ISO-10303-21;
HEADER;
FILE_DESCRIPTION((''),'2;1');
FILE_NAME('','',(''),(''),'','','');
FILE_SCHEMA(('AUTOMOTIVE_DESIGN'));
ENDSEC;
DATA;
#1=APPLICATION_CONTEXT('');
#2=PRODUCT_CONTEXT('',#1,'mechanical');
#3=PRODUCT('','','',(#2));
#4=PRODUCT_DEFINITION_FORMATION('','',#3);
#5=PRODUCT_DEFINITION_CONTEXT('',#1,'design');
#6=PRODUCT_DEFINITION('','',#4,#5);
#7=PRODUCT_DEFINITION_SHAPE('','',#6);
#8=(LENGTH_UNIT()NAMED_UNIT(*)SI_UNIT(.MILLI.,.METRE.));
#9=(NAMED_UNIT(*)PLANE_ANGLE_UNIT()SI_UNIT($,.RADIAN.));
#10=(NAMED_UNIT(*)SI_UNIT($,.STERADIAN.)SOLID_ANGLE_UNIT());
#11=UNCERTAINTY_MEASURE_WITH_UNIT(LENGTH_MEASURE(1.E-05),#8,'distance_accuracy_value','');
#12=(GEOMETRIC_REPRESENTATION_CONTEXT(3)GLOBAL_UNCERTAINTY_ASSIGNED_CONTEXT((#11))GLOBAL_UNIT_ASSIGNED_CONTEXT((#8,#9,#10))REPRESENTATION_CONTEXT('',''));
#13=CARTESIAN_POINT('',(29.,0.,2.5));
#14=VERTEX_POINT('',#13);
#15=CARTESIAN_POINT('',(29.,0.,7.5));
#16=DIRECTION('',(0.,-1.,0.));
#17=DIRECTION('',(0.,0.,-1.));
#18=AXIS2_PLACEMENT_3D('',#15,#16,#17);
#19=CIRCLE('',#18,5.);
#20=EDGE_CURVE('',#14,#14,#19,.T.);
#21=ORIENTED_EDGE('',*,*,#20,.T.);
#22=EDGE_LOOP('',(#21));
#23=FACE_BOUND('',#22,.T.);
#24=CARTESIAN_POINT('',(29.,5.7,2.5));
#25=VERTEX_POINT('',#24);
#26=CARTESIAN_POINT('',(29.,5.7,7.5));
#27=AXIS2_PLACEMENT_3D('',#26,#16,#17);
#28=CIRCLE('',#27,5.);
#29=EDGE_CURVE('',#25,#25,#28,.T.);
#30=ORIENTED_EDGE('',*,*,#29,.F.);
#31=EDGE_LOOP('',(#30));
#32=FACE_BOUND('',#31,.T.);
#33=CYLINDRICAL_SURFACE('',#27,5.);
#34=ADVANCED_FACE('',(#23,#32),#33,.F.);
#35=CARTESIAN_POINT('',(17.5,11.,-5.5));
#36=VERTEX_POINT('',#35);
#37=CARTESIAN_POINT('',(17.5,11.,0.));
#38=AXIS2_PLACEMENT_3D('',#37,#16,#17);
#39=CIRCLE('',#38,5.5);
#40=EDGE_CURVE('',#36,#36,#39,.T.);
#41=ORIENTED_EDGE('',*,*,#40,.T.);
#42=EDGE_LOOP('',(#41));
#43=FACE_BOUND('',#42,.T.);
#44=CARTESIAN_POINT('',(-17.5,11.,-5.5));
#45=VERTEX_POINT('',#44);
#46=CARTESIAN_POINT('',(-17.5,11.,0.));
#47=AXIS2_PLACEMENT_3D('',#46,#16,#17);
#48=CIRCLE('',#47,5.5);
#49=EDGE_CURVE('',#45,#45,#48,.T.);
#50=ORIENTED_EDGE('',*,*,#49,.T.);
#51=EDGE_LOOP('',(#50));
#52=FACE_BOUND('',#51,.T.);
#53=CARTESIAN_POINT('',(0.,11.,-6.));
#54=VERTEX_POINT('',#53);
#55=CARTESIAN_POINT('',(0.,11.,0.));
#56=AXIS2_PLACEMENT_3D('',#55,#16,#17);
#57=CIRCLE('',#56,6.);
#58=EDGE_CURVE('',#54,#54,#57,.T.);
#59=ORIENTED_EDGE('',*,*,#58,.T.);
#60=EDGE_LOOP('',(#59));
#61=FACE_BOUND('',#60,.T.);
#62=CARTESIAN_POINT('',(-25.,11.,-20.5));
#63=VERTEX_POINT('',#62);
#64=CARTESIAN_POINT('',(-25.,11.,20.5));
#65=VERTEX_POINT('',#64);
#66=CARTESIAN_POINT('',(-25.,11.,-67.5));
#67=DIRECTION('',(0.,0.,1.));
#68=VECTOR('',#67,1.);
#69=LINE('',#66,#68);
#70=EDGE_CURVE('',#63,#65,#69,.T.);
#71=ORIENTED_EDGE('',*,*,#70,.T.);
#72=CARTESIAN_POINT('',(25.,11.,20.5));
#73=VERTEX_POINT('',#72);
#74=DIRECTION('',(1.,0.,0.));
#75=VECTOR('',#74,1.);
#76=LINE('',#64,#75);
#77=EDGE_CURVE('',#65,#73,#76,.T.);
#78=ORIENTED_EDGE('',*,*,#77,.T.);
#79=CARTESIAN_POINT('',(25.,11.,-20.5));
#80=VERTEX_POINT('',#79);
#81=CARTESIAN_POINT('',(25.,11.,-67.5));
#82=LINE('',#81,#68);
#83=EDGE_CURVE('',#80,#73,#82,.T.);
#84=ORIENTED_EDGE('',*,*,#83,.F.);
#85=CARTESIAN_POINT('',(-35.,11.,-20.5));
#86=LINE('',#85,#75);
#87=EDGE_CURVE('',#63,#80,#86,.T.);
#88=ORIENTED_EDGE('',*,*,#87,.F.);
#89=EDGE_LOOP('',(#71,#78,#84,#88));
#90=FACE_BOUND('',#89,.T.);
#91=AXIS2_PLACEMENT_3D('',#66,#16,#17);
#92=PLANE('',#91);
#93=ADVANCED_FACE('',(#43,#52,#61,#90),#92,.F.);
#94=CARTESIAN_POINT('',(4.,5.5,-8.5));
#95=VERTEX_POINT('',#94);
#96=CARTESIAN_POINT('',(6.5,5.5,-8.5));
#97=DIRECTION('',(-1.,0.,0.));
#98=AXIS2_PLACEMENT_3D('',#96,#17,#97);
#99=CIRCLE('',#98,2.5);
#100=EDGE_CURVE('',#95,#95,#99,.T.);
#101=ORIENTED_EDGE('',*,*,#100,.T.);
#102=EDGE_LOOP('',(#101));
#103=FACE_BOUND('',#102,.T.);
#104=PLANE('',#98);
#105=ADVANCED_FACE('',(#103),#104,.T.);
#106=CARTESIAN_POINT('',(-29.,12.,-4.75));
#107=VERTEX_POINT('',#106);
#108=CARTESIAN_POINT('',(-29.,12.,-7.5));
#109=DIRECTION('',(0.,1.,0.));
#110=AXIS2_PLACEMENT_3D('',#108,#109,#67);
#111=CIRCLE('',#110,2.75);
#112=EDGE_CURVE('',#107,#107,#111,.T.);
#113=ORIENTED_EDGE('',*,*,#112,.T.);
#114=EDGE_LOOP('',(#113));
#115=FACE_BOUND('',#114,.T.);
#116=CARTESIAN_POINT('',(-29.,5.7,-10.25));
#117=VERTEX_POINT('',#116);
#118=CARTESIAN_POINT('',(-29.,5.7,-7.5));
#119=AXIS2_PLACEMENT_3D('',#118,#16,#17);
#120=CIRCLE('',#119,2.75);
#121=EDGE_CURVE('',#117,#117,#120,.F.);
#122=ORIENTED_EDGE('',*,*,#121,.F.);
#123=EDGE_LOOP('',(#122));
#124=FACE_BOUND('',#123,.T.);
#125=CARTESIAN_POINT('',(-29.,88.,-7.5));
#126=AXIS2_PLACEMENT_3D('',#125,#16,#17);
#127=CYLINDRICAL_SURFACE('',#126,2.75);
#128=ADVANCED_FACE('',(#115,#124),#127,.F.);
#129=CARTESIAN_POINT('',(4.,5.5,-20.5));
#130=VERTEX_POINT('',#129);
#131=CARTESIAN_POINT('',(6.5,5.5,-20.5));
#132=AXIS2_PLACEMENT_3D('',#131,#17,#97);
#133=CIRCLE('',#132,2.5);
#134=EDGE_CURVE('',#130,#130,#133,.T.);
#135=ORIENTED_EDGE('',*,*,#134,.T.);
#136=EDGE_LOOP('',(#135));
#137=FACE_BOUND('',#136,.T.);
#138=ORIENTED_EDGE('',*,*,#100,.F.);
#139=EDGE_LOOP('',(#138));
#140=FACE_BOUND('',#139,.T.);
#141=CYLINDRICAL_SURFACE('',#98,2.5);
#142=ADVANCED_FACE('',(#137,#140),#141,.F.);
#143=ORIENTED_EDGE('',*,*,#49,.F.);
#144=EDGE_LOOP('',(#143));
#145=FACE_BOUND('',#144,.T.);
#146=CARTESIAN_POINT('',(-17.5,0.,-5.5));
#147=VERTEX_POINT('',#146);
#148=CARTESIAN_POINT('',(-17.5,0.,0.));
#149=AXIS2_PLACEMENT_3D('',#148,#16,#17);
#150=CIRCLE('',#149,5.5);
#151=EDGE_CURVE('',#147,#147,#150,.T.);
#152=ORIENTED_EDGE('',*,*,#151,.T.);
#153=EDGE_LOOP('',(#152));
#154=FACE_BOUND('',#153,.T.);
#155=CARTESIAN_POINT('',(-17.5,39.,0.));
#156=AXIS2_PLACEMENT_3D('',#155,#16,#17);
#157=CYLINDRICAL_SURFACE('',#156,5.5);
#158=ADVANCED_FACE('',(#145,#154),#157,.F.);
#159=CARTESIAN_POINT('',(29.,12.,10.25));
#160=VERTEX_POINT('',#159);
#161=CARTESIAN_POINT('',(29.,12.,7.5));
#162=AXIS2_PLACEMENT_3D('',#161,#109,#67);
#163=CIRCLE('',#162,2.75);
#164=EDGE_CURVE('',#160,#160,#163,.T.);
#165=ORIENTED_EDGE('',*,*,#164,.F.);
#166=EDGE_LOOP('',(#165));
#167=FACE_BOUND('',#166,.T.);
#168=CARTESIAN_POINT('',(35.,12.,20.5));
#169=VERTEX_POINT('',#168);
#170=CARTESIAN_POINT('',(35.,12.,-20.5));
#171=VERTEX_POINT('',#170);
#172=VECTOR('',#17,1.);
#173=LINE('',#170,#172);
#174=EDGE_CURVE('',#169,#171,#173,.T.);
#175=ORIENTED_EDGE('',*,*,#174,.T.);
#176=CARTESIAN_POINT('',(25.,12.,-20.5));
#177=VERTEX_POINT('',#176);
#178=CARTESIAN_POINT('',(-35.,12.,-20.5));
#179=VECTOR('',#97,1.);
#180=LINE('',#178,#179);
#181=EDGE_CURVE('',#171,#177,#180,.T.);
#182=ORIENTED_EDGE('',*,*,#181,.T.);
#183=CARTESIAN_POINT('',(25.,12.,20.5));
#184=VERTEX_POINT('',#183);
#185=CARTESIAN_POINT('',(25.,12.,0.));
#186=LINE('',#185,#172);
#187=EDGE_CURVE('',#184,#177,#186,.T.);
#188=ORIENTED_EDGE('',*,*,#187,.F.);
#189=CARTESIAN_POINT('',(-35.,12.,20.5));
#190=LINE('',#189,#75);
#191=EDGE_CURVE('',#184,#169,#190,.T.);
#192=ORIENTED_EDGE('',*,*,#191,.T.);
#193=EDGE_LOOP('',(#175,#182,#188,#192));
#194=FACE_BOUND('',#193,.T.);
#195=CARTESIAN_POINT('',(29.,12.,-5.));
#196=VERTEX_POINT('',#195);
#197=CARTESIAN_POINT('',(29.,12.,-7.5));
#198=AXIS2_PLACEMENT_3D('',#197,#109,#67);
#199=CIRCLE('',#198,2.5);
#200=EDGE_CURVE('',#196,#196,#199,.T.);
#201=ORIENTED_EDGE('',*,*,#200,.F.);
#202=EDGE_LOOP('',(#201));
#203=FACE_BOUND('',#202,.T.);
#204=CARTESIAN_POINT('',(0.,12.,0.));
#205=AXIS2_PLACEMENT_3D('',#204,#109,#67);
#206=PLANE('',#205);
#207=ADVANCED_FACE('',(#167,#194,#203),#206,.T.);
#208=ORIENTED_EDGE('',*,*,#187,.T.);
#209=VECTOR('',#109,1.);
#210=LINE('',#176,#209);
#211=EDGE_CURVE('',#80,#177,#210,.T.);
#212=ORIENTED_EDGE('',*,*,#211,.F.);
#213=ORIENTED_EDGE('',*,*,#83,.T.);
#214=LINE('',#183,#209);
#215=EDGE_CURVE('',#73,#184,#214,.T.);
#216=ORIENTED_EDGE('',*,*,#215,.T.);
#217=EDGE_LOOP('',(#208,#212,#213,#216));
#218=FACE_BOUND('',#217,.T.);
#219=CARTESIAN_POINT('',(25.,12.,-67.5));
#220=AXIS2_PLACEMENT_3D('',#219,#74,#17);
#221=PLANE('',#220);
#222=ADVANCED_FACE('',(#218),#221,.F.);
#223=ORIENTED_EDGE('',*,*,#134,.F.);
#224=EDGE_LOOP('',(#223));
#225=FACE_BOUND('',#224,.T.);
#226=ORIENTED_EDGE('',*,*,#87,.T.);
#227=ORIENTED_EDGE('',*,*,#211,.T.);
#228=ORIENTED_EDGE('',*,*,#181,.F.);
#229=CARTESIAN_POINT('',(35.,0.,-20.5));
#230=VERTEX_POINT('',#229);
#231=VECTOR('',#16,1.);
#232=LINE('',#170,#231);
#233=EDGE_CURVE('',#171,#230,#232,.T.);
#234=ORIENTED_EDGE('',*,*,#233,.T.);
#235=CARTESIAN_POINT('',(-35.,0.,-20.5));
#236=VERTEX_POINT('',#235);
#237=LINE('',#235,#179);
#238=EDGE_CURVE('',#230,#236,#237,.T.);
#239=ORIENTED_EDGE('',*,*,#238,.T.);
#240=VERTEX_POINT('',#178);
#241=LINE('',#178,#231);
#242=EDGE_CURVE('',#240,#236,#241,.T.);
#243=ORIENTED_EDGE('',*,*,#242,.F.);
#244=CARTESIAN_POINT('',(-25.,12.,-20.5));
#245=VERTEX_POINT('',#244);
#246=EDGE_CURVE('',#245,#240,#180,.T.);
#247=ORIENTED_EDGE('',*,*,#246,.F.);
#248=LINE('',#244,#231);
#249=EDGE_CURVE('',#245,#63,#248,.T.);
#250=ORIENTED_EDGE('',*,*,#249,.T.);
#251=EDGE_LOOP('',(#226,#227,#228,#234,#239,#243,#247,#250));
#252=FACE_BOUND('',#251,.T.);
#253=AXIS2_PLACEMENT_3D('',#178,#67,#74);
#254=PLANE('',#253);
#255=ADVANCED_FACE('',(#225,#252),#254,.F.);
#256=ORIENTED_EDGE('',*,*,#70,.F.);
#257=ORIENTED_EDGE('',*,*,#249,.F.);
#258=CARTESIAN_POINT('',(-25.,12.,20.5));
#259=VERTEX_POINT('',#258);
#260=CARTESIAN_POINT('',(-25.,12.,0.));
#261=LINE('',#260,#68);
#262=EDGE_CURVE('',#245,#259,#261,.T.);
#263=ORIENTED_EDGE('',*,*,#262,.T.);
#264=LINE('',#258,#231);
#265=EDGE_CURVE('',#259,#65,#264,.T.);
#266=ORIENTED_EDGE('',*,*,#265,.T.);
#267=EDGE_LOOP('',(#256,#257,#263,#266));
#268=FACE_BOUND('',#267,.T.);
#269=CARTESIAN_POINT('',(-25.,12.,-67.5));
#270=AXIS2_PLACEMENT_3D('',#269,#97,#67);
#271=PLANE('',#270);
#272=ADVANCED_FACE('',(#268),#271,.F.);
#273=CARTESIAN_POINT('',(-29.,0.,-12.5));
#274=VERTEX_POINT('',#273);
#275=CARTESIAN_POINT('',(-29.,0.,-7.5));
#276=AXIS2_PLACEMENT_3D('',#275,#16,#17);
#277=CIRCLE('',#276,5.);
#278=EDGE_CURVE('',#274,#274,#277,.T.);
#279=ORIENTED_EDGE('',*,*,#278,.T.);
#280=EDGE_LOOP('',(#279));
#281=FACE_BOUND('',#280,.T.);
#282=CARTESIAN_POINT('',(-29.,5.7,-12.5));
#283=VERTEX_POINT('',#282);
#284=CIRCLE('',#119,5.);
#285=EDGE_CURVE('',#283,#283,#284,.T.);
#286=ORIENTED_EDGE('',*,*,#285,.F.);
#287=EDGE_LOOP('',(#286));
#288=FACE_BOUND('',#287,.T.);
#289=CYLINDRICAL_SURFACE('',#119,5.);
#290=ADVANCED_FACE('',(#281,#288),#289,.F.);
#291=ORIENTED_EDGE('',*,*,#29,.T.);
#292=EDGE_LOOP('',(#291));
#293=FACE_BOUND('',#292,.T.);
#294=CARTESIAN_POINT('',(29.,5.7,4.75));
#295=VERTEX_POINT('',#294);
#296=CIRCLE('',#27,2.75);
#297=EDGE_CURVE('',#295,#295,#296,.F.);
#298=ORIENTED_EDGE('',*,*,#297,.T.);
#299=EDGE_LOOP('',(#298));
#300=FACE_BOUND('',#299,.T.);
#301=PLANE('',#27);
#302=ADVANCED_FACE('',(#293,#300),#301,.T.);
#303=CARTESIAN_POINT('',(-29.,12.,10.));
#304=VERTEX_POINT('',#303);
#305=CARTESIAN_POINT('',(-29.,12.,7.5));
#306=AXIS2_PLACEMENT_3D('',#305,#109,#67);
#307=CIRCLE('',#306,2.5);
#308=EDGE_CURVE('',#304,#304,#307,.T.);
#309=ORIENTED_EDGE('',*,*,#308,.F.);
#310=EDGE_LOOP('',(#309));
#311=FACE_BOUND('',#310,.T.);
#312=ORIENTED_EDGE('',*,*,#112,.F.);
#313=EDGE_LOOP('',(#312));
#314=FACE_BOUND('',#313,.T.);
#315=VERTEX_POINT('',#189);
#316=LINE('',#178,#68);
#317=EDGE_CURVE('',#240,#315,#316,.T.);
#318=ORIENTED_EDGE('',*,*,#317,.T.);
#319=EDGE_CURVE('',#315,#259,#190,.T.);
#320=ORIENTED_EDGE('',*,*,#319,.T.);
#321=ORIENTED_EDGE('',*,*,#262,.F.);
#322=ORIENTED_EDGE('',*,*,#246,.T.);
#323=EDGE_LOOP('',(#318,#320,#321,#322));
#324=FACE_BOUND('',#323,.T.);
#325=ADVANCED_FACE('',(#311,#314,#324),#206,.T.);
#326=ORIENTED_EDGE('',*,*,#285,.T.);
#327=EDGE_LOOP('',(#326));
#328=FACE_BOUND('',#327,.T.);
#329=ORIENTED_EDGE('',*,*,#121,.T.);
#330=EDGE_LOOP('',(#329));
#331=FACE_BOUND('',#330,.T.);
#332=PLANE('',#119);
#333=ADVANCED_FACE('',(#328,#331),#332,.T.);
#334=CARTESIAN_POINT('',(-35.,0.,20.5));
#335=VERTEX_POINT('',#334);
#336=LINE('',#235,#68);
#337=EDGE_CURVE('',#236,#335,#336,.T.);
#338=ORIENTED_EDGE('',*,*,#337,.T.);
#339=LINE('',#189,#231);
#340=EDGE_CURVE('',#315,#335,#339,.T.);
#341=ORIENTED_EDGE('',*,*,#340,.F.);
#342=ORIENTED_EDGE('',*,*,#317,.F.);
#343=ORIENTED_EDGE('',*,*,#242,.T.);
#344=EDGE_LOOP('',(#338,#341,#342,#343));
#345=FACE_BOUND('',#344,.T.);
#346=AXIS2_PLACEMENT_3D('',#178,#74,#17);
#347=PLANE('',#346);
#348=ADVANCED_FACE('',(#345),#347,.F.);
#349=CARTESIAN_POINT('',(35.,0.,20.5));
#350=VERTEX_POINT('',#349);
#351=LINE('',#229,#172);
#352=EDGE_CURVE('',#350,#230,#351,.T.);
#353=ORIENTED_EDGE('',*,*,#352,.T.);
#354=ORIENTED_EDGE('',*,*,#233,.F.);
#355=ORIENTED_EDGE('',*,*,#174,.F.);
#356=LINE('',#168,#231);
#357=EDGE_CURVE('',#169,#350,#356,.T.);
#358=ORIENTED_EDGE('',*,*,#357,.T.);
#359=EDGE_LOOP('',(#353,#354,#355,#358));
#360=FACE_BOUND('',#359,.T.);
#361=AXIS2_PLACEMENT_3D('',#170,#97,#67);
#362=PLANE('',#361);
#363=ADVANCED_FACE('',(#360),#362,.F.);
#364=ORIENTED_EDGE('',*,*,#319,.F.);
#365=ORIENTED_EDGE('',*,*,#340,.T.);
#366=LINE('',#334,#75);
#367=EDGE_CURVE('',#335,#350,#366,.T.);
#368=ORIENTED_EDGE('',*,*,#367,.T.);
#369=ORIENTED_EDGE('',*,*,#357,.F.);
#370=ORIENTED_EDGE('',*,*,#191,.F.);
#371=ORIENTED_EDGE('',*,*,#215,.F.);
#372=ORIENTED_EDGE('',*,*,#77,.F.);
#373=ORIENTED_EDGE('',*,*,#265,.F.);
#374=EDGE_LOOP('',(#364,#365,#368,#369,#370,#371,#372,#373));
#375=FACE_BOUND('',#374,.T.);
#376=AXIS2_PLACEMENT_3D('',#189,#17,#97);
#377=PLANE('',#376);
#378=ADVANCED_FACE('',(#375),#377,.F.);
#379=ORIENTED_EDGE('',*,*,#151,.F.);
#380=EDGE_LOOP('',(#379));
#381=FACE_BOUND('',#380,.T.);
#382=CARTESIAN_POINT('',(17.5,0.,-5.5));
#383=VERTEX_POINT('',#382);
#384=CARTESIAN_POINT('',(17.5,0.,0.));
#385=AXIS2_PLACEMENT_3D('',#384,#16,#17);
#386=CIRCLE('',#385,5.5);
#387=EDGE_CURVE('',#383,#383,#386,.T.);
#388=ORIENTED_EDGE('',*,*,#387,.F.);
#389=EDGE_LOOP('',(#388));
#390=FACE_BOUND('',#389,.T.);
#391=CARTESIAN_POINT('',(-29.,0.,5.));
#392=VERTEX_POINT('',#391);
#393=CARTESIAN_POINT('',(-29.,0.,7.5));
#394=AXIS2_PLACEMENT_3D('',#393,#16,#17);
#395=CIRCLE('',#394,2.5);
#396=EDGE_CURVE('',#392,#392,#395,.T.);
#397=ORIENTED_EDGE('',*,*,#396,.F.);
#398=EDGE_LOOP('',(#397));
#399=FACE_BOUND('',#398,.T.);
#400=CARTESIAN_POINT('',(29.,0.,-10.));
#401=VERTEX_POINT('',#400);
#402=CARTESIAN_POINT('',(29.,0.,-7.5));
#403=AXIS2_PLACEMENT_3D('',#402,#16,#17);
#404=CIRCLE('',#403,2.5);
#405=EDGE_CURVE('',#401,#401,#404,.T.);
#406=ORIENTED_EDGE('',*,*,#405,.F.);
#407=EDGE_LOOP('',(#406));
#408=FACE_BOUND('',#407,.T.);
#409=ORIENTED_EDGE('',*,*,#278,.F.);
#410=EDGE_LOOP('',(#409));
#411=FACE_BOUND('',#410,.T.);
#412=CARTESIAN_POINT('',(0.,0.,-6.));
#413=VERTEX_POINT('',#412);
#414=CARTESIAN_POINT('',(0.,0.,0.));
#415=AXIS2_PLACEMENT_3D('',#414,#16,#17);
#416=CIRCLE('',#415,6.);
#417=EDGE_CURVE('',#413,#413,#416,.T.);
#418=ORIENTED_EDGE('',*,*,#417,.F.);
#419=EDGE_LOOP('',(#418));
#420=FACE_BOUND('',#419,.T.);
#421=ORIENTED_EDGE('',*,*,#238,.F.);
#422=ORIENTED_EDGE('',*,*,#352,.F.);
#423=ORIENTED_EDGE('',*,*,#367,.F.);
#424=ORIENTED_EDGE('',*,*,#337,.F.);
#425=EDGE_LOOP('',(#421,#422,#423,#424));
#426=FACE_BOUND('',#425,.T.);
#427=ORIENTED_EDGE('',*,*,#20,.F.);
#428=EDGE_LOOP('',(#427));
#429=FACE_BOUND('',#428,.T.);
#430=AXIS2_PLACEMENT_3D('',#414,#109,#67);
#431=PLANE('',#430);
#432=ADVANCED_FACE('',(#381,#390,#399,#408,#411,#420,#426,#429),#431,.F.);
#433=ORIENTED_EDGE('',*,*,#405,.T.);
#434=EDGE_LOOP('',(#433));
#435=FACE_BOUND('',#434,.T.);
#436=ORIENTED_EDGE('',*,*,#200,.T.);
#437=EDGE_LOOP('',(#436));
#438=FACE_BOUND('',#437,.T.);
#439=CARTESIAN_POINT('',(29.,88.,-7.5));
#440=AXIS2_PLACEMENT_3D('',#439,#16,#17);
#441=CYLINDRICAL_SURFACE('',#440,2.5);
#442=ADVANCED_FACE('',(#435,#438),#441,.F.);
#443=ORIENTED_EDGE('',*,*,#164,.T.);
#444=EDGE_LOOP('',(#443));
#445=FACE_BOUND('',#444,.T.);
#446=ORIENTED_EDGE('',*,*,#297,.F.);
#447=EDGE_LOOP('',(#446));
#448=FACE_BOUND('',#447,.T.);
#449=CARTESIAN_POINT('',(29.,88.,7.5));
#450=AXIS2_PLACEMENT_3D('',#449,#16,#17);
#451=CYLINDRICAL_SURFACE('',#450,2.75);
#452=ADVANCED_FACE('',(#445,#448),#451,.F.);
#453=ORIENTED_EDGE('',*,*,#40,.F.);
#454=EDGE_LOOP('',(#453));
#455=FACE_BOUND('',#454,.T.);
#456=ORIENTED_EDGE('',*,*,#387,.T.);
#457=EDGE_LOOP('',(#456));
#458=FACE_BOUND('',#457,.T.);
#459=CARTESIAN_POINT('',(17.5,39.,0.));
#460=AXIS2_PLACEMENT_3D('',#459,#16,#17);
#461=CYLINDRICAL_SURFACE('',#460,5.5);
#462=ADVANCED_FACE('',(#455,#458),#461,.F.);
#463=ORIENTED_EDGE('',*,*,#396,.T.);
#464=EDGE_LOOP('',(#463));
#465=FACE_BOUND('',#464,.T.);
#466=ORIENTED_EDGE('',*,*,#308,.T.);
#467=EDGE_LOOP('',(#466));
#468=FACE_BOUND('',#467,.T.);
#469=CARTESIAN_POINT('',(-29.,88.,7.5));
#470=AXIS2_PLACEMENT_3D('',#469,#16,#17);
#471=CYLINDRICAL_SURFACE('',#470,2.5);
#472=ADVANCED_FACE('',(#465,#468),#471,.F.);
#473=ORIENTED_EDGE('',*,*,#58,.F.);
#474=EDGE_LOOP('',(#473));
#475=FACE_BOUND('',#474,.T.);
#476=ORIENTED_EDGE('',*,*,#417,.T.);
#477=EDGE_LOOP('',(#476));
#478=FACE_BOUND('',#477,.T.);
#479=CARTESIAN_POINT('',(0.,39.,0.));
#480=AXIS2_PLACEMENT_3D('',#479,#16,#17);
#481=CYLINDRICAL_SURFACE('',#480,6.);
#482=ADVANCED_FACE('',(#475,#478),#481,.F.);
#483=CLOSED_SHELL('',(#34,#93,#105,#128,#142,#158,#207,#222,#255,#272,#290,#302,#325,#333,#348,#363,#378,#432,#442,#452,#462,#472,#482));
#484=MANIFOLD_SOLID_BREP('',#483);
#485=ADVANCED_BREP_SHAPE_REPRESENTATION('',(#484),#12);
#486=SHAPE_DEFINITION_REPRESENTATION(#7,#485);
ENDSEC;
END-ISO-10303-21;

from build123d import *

# Parameters (mm, degrees)
SKETCH1_W           = 70
SKETCH1_H           = 41
BOSS_EXTRUDE1_DEPTH = 12
SKETCH2_W           = 50
SKETCH2_H           = 1
CUT_EXTRUDE1_DEPTH  = 88
SKETCH3_R           = 2.5
SKETCH3_R_2         = 2.75
CUT_EXTRUDE2_DEPTH  = 88
SKETCH4_R           = 5
CUT_EXTRUDE3_DEPTH  = 5.7
SKETCH5_R           = 2.5
CUT_EXTRUDE4_DEPTH  = 12
SKETCH6_R           = 6
SKETCH6_R_2         = 5.5
CUT_EXTRUDE5_DEPTH  = 39
SKETCH8_R           = 2.5
BOSS_EXTRUDE2_DEPTH = 41
SKETCH9_R           = 2.5
CUT_EXTRUDE6_DEPTH  = 12
SKETCH10_R          = 6
CUT_EXTRUDE7_DEPTH  = 30


with BuildPart() as part:
    # Sketch1 → Boss-Extrude1 (new body)
    with BuildSketch(Plane(origin=(0, 0, 0), x_dir=(1, 0, 0), z_dir=(0, 1, 0))):
        Rectangle(SKETCH1_W, SKETCH1_H)
    extrude(amount=BOSS_EXTRUDE1_DEPTH)

    # Sketch2 → Cut-Extrude1 (cut)
    with BuildSketch(Plane.XY.offset(20.5)):
        with Locations((0, 11.5)):
            Rectangle(SKETCH2_W, SKETCH2_H)
    extrude(amount=-CUT_EXTRUDE1_DEPTH, mode=Mode.SUBTRACT)

    # Sketch3 → Cut-Extrude2 (cut)
    with BuildSketch(Plane.XZ):
        with Locations((29, -7.5)):
            Circle(SKETCH3_R)
        with Locations((-29, 7.5)):
            Circle(SKETCH3_R)
        with Locations((29, 7.5)):
            Circle(SKETCH3_R_2)
        with Locations((-29, -7.5)):
            Circle(SKETCH3_R_2)
    extrude(amount=-CUT_EXTRUDE2_DEPTH, mode=Mode.SUBTRACT)

    # Sketch4 → Cut-Extrude3 (cut)
    with BuildSketch(Plane.XZ):
        with Locations((-29, -7.5)):
            Circle(SKETCH4_R)
        with Locations((29, 7.5)):
            Circle(SKETCH4_R)
    extrude(amount=-CUT_EXTRUDE3_DEPTH, mode=Mode.SUBTRACT)

    # Sketch5 → Cut-Extrude4 (cut)
    with BuildSketch(Plane(origin=(0, 0, -20.5), x_dir=(-1, 0, 0), z_dir=(0, 0, -1))):
        with Locations((-6.5, 6)):
            Circle(SKETCH5_R)
    extrude(amount=-CUT_EXTRUDE4_DEPTH, mode=Mode.SUBTRACT)

    # Sketch6 → Cut-Extrude5 (cut)
    with BuildSketch(Plane.XZ):
        Circle(SKETCH6_R)
        with Locations((-17.5, 0)):
            Circle(SKETCH6_R_2)
        with Locations((17.5, 0)):
            Circle(SKETCH6_R_2)
    extrude(amount=-CUT_EXTRUDE5_DEPTH, mode=Mode.SUBTRACT)

    # Sketch8 → Boss-Extrude2 (add)
    with BuildSketch(Plane(origin=(0, 0, -20.5), x_dir=(-1, 0, 0), z_dir=(0, 0, -1))):
        with Locations((-6.5, 6)):
            Circle(SKETCH8_R)
    extrude(amount=-BOSS_EXTRUDE2_DEPTH)

    # Sketch9 → Cut-Extrude6 (cut)
    with BuildSketch(Plane(origin=(0, 0, -20.5), x_dir=(-1, 0, 0), z_dir=(0, 0, -1))):
        with Locations((-6.5, 5.5)):
            Circle(SKETCH9_R)
    extrude(amount=-CUT_EXTRUDE6_DEPTH, mode=Mode.SUBTRACT)

    # Sketch10 → Cut-Extrude7 (cut)
    with BuildSketch(Plane(origin=(0, 11, 0), x_dir=(1, 0, 0), z_dir=(0, 1, 0))):
        Circle(SKETCH10_R)
    extrude(amount=-CUT_EXTRUDE7_DEPTH, mode=Mode.SUBTRACT)


solid = part.part
